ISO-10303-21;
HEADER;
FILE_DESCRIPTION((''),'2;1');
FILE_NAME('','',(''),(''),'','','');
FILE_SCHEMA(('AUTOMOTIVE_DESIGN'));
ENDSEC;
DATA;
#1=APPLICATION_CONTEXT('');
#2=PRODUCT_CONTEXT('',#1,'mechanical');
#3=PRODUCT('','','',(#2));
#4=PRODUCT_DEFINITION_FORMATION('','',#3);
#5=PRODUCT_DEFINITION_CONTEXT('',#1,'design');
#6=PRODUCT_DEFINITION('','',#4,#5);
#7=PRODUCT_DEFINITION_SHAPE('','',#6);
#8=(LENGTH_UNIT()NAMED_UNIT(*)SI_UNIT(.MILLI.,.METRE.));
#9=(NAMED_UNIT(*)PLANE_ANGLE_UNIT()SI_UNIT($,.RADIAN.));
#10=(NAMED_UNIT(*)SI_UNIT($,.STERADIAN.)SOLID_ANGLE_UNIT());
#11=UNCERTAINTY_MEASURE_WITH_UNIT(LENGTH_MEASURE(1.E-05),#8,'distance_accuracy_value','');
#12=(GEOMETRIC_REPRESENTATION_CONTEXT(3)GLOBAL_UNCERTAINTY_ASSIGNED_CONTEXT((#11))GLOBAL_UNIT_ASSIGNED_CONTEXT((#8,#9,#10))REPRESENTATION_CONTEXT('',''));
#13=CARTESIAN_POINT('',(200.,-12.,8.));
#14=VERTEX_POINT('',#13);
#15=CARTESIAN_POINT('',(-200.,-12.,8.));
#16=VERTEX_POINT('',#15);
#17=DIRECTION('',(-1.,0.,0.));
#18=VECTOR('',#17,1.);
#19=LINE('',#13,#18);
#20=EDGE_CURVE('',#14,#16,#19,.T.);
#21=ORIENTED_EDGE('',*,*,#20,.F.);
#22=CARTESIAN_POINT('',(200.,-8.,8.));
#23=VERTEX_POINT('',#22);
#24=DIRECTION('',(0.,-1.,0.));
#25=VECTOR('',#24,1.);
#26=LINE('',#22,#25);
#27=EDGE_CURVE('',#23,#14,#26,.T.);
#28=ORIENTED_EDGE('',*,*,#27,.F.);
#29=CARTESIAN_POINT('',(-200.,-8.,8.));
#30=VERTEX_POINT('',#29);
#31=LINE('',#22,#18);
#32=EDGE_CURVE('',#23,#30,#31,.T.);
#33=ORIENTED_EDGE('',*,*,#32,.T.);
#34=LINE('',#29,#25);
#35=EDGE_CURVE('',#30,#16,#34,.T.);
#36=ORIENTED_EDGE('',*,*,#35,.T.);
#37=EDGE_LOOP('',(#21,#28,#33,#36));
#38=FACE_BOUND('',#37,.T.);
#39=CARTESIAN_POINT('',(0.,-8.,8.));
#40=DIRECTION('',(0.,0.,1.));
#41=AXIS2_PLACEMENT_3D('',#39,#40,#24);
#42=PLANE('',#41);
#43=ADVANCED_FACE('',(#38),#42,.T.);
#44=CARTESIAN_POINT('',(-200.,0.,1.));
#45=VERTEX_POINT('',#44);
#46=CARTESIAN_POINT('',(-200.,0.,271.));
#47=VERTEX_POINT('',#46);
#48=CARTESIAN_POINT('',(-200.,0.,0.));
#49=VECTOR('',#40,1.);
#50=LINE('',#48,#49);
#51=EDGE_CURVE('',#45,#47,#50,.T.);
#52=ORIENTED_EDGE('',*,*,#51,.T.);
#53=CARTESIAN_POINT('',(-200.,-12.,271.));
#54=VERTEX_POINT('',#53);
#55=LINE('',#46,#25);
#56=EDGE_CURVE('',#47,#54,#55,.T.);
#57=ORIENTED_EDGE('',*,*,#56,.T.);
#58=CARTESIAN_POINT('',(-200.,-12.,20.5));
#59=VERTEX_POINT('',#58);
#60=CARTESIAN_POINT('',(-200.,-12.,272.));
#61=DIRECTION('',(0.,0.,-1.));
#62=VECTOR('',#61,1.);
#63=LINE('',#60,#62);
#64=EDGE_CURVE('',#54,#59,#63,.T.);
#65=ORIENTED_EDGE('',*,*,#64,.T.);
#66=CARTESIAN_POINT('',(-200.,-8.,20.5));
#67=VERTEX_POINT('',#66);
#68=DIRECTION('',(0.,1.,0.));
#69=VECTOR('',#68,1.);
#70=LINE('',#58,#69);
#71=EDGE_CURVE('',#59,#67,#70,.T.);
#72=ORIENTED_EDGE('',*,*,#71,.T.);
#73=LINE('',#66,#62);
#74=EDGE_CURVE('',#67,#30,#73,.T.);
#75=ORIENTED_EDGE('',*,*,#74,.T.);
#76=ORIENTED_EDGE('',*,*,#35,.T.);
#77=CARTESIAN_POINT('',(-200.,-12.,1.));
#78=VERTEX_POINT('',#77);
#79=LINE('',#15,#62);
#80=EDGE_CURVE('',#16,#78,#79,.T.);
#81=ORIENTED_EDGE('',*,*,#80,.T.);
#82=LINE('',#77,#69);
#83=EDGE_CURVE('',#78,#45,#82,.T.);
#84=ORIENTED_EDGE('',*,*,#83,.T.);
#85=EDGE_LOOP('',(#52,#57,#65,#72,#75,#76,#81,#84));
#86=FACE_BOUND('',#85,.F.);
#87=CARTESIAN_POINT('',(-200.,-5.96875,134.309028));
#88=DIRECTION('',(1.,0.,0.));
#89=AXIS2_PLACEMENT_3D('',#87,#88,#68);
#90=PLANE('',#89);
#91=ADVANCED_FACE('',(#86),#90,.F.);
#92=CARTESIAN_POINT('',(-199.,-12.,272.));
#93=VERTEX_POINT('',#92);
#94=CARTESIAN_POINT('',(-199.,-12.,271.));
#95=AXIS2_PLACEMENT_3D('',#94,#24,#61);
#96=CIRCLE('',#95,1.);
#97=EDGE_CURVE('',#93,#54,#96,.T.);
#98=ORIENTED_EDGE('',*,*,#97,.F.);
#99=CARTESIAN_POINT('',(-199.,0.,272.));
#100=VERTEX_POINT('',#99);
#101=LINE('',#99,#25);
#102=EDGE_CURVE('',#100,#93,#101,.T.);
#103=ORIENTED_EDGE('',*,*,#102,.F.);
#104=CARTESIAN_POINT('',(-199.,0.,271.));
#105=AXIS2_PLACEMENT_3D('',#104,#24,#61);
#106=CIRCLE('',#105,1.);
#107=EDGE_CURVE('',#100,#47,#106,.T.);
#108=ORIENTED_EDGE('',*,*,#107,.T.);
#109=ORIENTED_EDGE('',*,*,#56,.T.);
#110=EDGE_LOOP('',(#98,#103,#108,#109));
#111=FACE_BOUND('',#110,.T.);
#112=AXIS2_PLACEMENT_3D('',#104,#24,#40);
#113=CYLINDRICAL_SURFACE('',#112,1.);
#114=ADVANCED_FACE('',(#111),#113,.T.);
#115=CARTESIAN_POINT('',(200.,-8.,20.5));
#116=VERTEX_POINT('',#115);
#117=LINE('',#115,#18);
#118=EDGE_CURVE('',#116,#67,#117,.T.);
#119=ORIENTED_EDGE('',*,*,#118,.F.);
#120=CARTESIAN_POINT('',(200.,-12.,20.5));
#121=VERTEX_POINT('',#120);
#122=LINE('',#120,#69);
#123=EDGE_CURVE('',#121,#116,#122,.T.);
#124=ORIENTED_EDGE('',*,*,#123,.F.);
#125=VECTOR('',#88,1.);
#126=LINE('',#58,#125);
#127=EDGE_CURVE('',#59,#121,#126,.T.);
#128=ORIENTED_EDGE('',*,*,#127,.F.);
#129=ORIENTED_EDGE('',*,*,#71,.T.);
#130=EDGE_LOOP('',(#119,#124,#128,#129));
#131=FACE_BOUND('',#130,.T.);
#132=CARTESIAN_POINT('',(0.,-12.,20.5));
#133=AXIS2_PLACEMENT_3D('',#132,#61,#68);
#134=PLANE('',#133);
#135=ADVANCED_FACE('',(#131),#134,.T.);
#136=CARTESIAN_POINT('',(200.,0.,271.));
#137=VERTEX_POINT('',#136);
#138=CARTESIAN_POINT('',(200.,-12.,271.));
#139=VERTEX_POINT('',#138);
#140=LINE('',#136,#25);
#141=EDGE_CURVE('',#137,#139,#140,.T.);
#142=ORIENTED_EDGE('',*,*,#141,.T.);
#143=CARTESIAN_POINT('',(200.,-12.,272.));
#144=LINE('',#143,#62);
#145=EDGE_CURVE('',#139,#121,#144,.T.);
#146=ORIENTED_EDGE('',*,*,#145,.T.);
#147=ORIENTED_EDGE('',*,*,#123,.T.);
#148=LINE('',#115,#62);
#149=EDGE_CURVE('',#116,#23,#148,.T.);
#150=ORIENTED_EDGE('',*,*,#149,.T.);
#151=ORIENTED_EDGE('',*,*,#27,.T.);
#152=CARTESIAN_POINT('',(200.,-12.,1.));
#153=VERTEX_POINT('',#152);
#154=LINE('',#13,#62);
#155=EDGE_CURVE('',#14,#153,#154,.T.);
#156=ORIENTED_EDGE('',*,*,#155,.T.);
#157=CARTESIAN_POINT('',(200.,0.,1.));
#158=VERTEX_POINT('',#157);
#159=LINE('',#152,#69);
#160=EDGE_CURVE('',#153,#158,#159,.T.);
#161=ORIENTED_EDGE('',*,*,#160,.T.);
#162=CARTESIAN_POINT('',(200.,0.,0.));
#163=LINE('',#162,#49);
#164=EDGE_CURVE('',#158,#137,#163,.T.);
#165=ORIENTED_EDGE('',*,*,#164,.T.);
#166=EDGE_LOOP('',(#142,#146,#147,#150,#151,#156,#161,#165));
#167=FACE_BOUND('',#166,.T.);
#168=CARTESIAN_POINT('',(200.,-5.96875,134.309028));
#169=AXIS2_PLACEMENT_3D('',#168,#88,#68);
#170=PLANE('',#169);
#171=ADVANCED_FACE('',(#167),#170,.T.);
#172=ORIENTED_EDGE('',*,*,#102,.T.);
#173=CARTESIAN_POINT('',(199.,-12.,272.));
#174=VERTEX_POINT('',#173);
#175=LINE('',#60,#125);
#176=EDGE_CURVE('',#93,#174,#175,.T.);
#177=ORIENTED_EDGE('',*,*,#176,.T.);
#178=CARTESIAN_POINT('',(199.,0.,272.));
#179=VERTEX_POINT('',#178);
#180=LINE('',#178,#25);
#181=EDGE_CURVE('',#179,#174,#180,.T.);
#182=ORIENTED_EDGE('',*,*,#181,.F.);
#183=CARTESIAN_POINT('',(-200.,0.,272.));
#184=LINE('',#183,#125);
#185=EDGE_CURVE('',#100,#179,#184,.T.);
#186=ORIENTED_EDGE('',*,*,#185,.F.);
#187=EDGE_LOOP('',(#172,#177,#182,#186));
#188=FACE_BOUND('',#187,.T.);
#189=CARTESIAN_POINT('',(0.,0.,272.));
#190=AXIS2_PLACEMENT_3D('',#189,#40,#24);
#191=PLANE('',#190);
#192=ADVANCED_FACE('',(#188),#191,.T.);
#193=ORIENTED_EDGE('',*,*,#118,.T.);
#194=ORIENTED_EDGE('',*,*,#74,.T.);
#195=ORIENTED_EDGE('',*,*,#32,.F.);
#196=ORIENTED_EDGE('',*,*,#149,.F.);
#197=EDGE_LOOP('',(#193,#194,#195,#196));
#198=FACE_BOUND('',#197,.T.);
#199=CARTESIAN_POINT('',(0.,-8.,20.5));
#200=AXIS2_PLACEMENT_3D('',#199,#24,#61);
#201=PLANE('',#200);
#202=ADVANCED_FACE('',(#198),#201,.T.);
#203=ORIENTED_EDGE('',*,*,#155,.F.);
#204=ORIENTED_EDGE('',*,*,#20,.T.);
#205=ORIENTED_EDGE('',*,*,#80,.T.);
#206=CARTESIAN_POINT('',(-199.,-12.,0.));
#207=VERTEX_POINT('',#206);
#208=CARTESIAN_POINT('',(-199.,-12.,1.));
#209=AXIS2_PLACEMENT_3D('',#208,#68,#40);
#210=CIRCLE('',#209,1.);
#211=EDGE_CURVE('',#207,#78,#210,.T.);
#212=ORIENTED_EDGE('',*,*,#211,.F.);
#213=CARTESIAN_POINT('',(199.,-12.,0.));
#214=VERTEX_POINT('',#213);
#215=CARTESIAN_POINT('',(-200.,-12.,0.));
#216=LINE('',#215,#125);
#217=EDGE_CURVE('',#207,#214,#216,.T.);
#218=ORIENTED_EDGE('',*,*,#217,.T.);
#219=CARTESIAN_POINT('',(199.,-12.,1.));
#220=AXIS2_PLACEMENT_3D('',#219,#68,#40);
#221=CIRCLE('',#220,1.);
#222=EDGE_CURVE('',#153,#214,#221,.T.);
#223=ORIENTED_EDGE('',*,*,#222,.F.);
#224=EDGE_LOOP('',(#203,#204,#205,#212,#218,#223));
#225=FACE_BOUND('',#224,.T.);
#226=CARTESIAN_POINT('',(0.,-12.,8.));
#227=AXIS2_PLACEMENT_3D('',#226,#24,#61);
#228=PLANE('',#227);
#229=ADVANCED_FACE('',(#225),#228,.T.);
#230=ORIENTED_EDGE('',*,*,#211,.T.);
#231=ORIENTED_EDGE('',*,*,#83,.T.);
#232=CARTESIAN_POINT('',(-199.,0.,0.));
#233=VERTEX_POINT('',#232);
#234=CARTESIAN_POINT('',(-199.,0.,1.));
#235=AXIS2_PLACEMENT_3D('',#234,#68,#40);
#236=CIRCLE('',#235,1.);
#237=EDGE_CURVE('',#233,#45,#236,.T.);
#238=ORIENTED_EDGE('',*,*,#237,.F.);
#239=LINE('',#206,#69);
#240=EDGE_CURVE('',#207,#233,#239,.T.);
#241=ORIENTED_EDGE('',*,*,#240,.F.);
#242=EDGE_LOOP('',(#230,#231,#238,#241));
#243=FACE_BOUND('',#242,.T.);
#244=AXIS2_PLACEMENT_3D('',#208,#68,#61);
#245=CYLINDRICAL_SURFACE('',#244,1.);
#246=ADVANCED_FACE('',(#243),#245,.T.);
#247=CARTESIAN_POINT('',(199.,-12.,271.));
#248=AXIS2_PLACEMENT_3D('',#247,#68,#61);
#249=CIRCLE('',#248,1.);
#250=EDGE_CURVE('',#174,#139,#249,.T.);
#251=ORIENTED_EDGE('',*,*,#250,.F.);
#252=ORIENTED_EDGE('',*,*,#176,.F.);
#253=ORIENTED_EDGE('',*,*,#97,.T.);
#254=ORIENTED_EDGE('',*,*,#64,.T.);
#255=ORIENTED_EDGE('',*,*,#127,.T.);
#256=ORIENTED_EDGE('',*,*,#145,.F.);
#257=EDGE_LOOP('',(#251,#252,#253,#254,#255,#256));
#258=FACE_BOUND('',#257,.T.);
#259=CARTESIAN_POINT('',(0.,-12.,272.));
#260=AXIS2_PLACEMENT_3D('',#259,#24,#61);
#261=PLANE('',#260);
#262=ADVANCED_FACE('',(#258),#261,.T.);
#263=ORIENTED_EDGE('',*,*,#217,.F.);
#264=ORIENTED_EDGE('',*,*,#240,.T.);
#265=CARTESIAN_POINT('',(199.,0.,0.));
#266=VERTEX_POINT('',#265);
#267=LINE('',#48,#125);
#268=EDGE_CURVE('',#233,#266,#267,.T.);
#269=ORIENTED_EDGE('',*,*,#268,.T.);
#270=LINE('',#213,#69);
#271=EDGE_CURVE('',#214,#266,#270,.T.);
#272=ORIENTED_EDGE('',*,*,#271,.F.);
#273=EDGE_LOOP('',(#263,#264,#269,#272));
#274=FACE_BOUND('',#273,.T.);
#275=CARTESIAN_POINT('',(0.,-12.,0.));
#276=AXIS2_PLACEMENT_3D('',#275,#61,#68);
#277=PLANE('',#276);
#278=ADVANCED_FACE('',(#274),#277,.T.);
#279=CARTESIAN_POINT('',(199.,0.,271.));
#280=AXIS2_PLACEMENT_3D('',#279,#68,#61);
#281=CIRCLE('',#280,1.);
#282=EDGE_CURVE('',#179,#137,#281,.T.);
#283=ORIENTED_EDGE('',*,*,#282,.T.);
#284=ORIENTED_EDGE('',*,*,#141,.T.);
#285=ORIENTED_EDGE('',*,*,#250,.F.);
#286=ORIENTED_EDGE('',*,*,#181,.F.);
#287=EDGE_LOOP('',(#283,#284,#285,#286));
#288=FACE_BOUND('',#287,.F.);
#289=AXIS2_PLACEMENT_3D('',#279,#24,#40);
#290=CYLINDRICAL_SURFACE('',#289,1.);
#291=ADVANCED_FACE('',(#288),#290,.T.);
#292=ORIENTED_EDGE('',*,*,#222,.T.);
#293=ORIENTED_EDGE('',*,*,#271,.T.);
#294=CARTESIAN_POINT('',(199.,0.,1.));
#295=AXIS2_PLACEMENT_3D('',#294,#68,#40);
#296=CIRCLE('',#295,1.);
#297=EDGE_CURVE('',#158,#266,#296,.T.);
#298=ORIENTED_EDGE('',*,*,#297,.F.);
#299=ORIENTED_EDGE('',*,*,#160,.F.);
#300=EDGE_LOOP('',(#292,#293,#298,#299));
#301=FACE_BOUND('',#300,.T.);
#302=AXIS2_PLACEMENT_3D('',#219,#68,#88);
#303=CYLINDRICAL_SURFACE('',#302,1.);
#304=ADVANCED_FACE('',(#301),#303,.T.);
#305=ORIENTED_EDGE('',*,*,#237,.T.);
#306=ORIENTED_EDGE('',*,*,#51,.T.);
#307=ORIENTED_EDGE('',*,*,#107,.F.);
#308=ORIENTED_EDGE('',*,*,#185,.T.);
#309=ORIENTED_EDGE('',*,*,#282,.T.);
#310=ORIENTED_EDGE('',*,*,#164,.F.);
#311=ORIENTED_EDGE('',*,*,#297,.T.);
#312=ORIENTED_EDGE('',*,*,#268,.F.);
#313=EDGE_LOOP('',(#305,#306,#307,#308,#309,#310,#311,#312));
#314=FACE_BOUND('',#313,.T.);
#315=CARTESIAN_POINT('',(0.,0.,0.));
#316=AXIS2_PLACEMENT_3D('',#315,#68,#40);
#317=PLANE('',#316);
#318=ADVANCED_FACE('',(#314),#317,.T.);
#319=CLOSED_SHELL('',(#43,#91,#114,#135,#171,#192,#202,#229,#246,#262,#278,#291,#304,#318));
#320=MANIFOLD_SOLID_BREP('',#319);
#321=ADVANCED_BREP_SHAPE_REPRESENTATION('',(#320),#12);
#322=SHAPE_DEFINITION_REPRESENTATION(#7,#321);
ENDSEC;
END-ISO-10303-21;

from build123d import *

# Parameters (mm, degrees)
F1_DEPTH = 200
F2_R     = 1


with BuildPart() as f1:
    # F0 (on Right) → F1 (new body, symmetric)
    with BuildSketch(Plane.YZ):
        Polygon((-12, 8), (-12, 0), (0, 0), (0, 272), (-12, 272), (-12, 20.5), (-8, 20.5), (-8, 8), align=None)
    extrude(amount=F1_DEPTH, both=True)

    # F2
    f2_edges = [f1.edges().sort_by_distance(p)[0] for p in [
        (-200, -6, 272),
        (200, -6, 272),
        (200, -6, 0),
        (-200, -6, 0),
    ]]
    fillet(f2_edges, radius=F2_R)


solid = f1.part
